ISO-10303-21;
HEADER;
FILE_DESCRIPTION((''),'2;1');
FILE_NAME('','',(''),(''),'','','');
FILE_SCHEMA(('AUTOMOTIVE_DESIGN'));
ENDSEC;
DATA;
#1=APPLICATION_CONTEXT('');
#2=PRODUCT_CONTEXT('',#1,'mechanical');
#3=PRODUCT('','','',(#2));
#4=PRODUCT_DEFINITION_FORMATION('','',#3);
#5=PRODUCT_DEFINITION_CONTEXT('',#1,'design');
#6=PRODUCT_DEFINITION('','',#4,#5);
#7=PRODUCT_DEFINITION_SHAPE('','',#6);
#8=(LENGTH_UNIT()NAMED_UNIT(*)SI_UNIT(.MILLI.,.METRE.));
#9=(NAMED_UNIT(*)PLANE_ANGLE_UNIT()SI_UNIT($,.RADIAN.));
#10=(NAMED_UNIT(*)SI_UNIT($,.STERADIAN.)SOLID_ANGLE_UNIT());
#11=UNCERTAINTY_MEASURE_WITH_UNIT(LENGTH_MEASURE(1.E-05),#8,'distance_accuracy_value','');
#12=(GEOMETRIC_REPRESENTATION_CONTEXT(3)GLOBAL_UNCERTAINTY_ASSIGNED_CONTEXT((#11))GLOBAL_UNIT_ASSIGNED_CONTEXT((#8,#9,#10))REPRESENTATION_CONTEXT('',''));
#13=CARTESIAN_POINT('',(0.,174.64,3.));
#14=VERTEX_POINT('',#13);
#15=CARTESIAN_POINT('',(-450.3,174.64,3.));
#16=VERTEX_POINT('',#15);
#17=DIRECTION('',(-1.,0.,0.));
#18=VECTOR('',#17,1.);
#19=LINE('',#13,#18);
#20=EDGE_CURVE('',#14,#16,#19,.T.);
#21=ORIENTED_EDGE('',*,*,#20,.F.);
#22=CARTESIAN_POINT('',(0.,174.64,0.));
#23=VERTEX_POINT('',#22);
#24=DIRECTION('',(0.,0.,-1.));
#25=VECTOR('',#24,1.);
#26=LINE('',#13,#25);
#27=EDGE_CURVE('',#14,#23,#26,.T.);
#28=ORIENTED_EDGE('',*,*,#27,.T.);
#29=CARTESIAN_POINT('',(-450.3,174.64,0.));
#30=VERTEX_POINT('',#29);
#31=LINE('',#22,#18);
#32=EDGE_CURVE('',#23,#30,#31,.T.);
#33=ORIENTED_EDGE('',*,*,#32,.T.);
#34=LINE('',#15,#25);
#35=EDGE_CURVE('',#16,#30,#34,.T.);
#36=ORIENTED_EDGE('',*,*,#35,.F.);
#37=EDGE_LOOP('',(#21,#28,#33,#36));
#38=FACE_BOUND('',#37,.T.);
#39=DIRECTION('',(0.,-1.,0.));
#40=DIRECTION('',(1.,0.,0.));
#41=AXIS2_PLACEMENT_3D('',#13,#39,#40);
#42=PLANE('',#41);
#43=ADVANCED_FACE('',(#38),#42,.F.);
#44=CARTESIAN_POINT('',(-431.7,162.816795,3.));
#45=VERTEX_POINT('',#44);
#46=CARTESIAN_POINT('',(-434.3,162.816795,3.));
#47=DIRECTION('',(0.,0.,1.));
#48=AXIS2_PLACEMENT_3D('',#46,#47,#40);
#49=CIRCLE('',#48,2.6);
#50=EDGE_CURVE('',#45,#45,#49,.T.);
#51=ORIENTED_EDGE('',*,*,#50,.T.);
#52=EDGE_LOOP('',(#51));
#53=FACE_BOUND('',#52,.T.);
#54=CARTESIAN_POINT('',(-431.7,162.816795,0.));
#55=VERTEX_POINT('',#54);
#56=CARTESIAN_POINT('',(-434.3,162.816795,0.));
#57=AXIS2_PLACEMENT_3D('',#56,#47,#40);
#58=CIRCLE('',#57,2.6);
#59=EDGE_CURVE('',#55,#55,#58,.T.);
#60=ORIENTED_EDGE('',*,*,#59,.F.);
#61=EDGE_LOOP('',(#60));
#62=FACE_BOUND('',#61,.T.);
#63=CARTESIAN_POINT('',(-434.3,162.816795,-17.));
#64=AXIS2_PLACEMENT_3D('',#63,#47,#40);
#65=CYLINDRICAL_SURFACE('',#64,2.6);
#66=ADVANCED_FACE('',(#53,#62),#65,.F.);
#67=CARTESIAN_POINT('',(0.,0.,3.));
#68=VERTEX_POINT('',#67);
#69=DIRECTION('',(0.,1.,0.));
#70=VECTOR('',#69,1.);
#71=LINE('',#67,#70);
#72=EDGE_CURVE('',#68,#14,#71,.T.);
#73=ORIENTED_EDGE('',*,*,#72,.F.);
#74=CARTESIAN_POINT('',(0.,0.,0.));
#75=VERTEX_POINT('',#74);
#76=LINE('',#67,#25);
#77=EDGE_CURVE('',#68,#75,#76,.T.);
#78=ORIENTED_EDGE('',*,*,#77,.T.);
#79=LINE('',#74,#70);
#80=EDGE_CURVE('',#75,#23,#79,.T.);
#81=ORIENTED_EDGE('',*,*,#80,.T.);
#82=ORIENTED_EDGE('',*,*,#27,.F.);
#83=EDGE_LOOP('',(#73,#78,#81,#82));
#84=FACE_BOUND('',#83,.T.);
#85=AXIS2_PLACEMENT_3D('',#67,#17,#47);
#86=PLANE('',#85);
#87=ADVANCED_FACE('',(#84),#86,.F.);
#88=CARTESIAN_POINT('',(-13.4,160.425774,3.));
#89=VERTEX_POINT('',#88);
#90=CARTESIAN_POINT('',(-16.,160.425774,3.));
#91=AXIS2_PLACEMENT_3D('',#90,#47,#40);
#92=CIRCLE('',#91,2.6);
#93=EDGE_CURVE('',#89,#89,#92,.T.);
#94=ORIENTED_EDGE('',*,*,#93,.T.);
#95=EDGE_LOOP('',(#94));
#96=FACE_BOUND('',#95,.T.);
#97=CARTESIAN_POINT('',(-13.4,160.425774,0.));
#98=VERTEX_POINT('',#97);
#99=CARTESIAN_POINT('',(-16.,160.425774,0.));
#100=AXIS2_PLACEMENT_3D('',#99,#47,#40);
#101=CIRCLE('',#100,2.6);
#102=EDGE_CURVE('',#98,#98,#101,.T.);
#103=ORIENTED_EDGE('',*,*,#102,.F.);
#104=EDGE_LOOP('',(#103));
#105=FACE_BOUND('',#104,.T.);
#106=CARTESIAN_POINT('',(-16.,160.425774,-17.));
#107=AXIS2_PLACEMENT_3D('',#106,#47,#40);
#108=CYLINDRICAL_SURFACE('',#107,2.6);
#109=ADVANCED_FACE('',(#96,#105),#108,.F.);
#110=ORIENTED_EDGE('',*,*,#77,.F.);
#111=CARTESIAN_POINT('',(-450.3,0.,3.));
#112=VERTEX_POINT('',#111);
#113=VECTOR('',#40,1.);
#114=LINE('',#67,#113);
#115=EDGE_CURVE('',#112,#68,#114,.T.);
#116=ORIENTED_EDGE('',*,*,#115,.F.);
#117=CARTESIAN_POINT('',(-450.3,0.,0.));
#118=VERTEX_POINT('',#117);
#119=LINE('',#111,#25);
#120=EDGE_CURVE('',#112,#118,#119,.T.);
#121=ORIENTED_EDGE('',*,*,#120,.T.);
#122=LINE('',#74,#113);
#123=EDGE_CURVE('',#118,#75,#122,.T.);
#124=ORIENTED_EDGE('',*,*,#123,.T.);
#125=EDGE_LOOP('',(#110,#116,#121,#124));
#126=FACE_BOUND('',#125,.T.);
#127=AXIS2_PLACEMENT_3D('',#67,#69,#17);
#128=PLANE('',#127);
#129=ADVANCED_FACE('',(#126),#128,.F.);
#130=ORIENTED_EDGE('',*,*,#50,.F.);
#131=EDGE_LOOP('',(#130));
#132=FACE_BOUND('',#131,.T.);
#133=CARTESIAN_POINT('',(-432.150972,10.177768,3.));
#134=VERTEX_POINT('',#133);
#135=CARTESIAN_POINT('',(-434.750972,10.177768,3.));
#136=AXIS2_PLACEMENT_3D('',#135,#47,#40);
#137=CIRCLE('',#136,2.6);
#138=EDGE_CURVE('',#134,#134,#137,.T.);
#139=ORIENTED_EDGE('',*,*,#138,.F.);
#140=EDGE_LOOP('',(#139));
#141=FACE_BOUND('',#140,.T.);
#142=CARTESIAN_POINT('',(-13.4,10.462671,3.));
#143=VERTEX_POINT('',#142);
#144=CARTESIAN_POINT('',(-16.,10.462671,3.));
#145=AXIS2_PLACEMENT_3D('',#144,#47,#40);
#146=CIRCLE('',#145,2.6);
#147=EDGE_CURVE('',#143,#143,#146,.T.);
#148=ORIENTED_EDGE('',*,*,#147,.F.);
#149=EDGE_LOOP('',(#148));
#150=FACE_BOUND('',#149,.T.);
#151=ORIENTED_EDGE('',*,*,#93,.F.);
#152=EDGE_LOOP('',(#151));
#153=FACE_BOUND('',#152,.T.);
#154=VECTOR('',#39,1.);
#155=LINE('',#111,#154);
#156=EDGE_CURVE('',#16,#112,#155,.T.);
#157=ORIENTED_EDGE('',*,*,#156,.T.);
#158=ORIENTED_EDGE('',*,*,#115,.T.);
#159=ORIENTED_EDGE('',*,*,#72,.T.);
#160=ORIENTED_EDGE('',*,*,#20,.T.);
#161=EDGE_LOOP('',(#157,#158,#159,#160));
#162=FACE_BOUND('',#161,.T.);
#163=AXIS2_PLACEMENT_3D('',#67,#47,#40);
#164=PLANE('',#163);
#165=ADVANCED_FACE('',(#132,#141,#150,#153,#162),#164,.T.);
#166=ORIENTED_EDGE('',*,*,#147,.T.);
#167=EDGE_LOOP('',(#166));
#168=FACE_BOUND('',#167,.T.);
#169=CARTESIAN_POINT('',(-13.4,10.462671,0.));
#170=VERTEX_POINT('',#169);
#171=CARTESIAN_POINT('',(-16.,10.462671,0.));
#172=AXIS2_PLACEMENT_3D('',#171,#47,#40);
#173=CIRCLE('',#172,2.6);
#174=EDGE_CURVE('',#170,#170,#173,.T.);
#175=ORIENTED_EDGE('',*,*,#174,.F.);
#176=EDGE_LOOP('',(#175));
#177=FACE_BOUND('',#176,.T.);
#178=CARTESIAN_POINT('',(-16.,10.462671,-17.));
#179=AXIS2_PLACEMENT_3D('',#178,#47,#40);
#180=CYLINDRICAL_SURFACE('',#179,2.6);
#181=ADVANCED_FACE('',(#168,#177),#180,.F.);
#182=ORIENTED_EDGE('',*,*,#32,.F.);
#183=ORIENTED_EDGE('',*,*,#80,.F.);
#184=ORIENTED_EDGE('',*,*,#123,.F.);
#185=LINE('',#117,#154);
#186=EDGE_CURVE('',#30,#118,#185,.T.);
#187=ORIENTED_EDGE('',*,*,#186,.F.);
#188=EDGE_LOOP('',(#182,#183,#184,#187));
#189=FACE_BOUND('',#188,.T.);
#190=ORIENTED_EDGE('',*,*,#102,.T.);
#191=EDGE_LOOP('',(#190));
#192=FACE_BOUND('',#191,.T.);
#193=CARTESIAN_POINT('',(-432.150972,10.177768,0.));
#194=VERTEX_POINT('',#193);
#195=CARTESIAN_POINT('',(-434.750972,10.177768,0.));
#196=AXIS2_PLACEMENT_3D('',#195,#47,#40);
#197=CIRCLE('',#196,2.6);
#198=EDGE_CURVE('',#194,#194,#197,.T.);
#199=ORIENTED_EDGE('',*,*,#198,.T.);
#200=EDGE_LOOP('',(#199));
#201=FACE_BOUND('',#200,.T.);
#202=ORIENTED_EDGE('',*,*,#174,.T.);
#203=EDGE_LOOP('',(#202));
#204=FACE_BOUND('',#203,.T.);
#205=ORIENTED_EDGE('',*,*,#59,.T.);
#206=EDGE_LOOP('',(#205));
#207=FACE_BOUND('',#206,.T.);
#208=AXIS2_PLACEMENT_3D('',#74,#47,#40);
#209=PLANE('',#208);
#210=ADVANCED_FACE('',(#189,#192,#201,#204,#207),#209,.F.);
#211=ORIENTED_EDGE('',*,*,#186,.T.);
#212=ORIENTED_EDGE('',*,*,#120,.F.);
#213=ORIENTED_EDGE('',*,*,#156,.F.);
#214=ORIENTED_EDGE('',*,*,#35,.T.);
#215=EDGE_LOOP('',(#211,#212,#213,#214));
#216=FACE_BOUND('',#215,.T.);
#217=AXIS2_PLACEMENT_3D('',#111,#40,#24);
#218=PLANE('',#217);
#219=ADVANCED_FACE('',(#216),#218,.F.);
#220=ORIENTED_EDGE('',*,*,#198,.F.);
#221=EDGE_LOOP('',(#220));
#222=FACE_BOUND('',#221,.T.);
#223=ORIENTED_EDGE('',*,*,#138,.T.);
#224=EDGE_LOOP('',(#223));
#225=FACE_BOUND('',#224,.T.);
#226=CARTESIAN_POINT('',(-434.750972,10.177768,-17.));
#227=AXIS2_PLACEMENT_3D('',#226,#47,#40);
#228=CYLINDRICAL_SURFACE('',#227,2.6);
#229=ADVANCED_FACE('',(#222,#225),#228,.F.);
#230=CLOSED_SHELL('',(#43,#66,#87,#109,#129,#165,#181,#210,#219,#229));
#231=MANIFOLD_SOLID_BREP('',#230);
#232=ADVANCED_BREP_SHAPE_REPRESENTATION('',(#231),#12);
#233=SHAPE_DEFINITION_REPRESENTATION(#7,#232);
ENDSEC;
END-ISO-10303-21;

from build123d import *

# Parameters (mm, degrees)
ESQUISSE1_W             = 450.3
ESQUISSE1_H             = 174.64
BOSS_EXTRU_1_DEPTH      = 3
ESQUISSE2_R             = 2.6
ENL_V_MAT_EXTRU_1_DEPTH = 20


with BuildPart() as part:
    # Esquisse1 → Boss.-Extru.1 (new body)
    with BuildSketch(Plane.XY):
        with Locations((-225.15, 87.32)):
            Rectangle(ESQUISSE1_W, ESQUISSE1_H)
    extrude(amount=BOSS_EXTRU_1_DEPTH)

    # Esquisse2 → Enlèv. mat.-Extru.1 (cut)
    with BuildSketch(Plane.XY.offset(3)):
        with Locations((-16, 160.425773655)):
            Circle(ESQUISSE2_R)
        with Locations((-16, 10.462671452)):
            Circle(ESQUISSE2_R)
        with Locations((-434.750971798, 10.177768017)):
            Circle(ESQUISSE2_R)
        with Locations((-434.3, 162.816794702)):
            Circle(ESQUISSE2_R)
    extrude(amount=-ENL_V_MAT_EXTRU_1_DEPTH, mode=Mode.SUBTRACT)


solid = part.part
